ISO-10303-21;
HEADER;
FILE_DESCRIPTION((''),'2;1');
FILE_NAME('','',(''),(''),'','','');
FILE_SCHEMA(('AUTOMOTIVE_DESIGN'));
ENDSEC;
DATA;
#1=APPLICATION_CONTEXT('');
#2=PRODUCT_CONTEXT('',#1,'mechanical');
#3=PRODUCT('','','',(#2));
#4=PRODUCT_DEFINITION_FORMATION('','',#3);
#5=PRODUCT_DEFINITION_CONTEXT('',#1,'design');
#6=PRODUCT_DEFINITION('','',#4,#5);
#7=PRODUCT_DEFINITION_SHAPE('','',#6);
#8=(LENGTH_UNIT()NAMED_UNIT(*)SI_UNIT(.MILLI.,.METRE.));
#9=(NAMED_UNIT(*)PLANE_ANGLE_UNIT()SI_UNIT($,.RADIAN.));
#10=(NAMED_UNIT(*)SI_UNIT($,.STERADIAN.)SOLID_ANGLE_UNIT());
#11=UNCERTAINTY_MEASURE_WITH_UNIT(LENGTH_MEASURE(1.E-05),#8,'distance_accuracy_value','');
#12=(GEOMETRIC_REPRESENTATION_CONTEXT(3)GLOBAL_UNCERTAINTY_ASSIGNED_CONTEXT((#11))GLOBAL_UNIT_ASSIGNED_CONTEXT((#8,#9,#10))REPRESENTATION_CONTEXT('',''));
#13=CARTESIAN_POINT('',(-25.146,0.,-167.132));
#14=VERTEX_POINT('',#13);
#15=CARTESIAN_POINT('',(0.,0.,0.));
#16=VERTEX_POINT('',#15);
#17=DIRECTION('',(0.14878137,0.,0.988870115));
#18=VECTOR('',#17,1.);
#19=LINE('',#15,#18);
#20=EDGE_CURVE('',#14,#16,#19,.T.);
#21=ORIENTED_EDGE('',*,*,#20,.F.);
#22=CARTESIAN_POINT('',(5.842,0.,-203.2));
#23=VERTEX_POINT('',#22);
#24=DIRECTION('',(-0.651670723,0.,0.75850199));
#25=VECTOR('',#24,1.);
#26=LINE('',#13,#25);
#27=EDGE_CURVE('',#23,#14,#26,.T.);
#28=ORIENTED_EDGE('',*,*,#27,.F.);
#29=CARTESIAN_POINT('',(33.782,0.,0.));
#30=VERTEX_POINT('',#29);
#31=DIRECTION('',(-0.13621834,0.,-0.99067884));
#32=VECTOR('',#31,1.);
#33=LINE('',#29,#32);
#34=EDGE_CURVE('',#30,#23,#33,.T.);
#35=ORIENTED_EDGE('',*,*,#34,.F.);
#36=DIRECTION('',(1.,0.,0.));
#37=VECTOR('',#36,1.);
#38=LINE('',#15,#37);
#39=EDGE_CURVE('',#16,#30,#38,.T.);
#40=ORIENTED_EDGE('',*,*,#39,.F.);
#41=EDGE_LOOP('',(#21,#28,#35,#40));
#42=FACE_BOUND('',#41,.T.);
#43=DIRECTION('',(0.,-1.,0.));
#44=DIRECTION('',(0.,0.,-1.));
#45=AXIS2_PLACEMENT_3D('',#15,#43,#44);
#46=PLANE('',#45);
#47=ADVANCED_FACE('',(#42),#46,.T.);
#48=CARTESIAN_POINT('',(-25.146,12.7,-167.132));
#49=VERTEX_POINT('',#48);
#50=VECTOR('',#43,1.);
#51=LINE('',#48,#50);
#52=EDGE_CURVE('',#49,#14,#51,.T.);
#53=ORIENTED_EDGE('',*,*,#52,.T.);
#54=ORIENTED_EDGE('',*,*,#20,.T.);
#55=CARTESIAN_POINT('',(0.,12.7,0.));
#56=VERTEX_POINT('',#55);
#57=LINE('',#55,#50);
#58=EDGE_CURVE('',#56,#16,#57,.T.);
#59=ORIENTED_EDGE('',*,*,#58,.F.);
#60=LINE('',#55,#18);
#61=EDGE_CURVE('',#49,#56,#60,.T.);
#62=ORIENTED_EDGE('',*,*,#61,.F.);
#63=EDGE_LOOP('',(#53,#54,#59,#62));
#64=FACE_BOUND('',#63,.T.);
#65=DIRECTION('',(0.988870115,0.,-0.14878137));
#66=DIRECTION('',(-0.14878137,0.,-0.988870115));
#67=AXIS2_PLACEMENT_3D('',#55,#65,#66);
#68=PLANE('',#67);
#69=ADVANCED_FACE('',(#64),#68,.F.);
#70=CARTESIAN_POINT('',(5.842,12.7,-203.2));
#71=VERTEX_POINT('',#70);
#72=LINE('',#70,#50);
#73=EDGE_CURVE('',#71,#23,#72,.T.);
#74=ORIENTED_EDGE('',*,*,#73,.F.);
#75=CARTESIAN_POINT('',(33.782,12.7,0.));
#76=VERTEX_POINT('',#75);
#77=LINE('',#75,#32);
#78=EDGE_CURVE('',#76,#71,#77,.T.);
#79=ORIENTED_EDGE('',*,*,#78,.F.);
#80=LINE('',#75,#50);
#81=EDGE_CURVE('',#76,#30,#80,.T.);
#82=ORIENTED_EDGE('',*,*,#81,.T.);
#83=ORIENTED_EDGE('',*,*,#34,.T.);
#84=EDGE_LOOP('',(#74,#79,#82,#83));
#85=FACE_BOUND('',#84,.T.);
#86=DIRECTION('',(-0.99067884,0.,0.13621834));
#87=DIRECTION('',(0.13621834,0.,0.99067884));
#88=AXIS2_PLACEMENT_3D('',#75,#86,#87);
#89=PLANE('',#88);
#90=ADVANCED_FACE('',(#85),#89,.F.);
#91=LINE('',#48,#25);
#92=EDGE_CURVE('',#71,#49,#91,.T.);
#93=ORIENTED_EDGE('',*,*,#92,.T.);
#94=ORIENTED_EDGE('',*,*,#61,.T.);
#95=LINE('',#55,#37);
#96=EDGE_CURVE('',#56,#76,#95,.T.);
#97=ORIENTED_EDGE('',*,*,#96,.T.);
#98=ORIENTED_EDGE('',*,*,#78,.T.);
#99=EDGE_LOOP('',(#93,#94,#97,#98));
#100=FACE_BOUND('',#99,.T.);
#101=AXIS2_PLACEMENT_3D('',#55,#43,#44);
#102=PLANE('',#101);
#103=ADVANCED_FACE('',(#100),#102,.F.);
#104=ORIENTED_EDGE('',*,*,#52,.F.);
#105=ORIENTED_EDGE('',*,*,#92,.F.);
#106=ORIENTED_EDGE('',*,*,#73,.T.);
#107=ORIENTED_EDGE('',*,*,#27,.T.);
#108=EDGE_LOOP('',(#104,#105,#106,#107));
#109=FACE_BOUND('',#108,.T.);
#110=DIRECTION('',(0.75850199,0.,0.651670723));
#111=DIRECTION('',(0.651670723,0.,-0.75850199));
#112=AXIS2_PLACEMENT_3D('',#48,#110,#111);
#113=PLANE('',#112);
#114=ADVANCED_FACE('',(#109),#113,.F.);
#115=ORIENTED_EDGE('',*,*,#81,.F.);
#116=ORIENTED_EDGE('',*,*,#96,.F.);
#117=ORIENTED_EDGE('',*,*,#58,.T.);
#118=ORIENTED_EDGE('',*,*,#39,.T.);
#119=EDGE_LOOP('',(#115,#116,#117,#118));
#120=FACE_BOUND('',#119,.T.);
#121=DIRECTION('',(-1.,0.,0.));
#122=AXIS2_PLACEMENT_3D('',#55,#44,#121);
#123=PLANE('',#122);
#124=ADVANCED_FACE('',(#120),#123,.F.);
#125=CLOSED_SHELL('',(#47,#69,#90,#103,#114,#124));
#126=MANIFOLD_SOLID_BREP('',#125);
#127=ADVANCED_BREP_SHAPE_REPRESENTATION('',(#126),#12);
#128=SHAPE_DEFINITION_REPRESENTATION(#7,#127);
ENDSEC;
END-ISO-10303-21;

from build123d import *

# Parameters (mm, degrees)
BOSS_EXTRUDE1_DEPTH = 12.7


with BuildPart() as part:
    # Sketch1 → Boss-Extrude1 (new body)
    with BuildSketch(Plane(origin=(0, 0, 0), x_dir=(1, 0, 0), z_dir=(0, 1, 0))):
        Polygon((0, 0), (33.782, 0), (5.842, 203.2), (-25.146, 167.132), align=None)
    extrude(amount=BOSS_EXTRUDE1_DEPTH)


solid = part.part
